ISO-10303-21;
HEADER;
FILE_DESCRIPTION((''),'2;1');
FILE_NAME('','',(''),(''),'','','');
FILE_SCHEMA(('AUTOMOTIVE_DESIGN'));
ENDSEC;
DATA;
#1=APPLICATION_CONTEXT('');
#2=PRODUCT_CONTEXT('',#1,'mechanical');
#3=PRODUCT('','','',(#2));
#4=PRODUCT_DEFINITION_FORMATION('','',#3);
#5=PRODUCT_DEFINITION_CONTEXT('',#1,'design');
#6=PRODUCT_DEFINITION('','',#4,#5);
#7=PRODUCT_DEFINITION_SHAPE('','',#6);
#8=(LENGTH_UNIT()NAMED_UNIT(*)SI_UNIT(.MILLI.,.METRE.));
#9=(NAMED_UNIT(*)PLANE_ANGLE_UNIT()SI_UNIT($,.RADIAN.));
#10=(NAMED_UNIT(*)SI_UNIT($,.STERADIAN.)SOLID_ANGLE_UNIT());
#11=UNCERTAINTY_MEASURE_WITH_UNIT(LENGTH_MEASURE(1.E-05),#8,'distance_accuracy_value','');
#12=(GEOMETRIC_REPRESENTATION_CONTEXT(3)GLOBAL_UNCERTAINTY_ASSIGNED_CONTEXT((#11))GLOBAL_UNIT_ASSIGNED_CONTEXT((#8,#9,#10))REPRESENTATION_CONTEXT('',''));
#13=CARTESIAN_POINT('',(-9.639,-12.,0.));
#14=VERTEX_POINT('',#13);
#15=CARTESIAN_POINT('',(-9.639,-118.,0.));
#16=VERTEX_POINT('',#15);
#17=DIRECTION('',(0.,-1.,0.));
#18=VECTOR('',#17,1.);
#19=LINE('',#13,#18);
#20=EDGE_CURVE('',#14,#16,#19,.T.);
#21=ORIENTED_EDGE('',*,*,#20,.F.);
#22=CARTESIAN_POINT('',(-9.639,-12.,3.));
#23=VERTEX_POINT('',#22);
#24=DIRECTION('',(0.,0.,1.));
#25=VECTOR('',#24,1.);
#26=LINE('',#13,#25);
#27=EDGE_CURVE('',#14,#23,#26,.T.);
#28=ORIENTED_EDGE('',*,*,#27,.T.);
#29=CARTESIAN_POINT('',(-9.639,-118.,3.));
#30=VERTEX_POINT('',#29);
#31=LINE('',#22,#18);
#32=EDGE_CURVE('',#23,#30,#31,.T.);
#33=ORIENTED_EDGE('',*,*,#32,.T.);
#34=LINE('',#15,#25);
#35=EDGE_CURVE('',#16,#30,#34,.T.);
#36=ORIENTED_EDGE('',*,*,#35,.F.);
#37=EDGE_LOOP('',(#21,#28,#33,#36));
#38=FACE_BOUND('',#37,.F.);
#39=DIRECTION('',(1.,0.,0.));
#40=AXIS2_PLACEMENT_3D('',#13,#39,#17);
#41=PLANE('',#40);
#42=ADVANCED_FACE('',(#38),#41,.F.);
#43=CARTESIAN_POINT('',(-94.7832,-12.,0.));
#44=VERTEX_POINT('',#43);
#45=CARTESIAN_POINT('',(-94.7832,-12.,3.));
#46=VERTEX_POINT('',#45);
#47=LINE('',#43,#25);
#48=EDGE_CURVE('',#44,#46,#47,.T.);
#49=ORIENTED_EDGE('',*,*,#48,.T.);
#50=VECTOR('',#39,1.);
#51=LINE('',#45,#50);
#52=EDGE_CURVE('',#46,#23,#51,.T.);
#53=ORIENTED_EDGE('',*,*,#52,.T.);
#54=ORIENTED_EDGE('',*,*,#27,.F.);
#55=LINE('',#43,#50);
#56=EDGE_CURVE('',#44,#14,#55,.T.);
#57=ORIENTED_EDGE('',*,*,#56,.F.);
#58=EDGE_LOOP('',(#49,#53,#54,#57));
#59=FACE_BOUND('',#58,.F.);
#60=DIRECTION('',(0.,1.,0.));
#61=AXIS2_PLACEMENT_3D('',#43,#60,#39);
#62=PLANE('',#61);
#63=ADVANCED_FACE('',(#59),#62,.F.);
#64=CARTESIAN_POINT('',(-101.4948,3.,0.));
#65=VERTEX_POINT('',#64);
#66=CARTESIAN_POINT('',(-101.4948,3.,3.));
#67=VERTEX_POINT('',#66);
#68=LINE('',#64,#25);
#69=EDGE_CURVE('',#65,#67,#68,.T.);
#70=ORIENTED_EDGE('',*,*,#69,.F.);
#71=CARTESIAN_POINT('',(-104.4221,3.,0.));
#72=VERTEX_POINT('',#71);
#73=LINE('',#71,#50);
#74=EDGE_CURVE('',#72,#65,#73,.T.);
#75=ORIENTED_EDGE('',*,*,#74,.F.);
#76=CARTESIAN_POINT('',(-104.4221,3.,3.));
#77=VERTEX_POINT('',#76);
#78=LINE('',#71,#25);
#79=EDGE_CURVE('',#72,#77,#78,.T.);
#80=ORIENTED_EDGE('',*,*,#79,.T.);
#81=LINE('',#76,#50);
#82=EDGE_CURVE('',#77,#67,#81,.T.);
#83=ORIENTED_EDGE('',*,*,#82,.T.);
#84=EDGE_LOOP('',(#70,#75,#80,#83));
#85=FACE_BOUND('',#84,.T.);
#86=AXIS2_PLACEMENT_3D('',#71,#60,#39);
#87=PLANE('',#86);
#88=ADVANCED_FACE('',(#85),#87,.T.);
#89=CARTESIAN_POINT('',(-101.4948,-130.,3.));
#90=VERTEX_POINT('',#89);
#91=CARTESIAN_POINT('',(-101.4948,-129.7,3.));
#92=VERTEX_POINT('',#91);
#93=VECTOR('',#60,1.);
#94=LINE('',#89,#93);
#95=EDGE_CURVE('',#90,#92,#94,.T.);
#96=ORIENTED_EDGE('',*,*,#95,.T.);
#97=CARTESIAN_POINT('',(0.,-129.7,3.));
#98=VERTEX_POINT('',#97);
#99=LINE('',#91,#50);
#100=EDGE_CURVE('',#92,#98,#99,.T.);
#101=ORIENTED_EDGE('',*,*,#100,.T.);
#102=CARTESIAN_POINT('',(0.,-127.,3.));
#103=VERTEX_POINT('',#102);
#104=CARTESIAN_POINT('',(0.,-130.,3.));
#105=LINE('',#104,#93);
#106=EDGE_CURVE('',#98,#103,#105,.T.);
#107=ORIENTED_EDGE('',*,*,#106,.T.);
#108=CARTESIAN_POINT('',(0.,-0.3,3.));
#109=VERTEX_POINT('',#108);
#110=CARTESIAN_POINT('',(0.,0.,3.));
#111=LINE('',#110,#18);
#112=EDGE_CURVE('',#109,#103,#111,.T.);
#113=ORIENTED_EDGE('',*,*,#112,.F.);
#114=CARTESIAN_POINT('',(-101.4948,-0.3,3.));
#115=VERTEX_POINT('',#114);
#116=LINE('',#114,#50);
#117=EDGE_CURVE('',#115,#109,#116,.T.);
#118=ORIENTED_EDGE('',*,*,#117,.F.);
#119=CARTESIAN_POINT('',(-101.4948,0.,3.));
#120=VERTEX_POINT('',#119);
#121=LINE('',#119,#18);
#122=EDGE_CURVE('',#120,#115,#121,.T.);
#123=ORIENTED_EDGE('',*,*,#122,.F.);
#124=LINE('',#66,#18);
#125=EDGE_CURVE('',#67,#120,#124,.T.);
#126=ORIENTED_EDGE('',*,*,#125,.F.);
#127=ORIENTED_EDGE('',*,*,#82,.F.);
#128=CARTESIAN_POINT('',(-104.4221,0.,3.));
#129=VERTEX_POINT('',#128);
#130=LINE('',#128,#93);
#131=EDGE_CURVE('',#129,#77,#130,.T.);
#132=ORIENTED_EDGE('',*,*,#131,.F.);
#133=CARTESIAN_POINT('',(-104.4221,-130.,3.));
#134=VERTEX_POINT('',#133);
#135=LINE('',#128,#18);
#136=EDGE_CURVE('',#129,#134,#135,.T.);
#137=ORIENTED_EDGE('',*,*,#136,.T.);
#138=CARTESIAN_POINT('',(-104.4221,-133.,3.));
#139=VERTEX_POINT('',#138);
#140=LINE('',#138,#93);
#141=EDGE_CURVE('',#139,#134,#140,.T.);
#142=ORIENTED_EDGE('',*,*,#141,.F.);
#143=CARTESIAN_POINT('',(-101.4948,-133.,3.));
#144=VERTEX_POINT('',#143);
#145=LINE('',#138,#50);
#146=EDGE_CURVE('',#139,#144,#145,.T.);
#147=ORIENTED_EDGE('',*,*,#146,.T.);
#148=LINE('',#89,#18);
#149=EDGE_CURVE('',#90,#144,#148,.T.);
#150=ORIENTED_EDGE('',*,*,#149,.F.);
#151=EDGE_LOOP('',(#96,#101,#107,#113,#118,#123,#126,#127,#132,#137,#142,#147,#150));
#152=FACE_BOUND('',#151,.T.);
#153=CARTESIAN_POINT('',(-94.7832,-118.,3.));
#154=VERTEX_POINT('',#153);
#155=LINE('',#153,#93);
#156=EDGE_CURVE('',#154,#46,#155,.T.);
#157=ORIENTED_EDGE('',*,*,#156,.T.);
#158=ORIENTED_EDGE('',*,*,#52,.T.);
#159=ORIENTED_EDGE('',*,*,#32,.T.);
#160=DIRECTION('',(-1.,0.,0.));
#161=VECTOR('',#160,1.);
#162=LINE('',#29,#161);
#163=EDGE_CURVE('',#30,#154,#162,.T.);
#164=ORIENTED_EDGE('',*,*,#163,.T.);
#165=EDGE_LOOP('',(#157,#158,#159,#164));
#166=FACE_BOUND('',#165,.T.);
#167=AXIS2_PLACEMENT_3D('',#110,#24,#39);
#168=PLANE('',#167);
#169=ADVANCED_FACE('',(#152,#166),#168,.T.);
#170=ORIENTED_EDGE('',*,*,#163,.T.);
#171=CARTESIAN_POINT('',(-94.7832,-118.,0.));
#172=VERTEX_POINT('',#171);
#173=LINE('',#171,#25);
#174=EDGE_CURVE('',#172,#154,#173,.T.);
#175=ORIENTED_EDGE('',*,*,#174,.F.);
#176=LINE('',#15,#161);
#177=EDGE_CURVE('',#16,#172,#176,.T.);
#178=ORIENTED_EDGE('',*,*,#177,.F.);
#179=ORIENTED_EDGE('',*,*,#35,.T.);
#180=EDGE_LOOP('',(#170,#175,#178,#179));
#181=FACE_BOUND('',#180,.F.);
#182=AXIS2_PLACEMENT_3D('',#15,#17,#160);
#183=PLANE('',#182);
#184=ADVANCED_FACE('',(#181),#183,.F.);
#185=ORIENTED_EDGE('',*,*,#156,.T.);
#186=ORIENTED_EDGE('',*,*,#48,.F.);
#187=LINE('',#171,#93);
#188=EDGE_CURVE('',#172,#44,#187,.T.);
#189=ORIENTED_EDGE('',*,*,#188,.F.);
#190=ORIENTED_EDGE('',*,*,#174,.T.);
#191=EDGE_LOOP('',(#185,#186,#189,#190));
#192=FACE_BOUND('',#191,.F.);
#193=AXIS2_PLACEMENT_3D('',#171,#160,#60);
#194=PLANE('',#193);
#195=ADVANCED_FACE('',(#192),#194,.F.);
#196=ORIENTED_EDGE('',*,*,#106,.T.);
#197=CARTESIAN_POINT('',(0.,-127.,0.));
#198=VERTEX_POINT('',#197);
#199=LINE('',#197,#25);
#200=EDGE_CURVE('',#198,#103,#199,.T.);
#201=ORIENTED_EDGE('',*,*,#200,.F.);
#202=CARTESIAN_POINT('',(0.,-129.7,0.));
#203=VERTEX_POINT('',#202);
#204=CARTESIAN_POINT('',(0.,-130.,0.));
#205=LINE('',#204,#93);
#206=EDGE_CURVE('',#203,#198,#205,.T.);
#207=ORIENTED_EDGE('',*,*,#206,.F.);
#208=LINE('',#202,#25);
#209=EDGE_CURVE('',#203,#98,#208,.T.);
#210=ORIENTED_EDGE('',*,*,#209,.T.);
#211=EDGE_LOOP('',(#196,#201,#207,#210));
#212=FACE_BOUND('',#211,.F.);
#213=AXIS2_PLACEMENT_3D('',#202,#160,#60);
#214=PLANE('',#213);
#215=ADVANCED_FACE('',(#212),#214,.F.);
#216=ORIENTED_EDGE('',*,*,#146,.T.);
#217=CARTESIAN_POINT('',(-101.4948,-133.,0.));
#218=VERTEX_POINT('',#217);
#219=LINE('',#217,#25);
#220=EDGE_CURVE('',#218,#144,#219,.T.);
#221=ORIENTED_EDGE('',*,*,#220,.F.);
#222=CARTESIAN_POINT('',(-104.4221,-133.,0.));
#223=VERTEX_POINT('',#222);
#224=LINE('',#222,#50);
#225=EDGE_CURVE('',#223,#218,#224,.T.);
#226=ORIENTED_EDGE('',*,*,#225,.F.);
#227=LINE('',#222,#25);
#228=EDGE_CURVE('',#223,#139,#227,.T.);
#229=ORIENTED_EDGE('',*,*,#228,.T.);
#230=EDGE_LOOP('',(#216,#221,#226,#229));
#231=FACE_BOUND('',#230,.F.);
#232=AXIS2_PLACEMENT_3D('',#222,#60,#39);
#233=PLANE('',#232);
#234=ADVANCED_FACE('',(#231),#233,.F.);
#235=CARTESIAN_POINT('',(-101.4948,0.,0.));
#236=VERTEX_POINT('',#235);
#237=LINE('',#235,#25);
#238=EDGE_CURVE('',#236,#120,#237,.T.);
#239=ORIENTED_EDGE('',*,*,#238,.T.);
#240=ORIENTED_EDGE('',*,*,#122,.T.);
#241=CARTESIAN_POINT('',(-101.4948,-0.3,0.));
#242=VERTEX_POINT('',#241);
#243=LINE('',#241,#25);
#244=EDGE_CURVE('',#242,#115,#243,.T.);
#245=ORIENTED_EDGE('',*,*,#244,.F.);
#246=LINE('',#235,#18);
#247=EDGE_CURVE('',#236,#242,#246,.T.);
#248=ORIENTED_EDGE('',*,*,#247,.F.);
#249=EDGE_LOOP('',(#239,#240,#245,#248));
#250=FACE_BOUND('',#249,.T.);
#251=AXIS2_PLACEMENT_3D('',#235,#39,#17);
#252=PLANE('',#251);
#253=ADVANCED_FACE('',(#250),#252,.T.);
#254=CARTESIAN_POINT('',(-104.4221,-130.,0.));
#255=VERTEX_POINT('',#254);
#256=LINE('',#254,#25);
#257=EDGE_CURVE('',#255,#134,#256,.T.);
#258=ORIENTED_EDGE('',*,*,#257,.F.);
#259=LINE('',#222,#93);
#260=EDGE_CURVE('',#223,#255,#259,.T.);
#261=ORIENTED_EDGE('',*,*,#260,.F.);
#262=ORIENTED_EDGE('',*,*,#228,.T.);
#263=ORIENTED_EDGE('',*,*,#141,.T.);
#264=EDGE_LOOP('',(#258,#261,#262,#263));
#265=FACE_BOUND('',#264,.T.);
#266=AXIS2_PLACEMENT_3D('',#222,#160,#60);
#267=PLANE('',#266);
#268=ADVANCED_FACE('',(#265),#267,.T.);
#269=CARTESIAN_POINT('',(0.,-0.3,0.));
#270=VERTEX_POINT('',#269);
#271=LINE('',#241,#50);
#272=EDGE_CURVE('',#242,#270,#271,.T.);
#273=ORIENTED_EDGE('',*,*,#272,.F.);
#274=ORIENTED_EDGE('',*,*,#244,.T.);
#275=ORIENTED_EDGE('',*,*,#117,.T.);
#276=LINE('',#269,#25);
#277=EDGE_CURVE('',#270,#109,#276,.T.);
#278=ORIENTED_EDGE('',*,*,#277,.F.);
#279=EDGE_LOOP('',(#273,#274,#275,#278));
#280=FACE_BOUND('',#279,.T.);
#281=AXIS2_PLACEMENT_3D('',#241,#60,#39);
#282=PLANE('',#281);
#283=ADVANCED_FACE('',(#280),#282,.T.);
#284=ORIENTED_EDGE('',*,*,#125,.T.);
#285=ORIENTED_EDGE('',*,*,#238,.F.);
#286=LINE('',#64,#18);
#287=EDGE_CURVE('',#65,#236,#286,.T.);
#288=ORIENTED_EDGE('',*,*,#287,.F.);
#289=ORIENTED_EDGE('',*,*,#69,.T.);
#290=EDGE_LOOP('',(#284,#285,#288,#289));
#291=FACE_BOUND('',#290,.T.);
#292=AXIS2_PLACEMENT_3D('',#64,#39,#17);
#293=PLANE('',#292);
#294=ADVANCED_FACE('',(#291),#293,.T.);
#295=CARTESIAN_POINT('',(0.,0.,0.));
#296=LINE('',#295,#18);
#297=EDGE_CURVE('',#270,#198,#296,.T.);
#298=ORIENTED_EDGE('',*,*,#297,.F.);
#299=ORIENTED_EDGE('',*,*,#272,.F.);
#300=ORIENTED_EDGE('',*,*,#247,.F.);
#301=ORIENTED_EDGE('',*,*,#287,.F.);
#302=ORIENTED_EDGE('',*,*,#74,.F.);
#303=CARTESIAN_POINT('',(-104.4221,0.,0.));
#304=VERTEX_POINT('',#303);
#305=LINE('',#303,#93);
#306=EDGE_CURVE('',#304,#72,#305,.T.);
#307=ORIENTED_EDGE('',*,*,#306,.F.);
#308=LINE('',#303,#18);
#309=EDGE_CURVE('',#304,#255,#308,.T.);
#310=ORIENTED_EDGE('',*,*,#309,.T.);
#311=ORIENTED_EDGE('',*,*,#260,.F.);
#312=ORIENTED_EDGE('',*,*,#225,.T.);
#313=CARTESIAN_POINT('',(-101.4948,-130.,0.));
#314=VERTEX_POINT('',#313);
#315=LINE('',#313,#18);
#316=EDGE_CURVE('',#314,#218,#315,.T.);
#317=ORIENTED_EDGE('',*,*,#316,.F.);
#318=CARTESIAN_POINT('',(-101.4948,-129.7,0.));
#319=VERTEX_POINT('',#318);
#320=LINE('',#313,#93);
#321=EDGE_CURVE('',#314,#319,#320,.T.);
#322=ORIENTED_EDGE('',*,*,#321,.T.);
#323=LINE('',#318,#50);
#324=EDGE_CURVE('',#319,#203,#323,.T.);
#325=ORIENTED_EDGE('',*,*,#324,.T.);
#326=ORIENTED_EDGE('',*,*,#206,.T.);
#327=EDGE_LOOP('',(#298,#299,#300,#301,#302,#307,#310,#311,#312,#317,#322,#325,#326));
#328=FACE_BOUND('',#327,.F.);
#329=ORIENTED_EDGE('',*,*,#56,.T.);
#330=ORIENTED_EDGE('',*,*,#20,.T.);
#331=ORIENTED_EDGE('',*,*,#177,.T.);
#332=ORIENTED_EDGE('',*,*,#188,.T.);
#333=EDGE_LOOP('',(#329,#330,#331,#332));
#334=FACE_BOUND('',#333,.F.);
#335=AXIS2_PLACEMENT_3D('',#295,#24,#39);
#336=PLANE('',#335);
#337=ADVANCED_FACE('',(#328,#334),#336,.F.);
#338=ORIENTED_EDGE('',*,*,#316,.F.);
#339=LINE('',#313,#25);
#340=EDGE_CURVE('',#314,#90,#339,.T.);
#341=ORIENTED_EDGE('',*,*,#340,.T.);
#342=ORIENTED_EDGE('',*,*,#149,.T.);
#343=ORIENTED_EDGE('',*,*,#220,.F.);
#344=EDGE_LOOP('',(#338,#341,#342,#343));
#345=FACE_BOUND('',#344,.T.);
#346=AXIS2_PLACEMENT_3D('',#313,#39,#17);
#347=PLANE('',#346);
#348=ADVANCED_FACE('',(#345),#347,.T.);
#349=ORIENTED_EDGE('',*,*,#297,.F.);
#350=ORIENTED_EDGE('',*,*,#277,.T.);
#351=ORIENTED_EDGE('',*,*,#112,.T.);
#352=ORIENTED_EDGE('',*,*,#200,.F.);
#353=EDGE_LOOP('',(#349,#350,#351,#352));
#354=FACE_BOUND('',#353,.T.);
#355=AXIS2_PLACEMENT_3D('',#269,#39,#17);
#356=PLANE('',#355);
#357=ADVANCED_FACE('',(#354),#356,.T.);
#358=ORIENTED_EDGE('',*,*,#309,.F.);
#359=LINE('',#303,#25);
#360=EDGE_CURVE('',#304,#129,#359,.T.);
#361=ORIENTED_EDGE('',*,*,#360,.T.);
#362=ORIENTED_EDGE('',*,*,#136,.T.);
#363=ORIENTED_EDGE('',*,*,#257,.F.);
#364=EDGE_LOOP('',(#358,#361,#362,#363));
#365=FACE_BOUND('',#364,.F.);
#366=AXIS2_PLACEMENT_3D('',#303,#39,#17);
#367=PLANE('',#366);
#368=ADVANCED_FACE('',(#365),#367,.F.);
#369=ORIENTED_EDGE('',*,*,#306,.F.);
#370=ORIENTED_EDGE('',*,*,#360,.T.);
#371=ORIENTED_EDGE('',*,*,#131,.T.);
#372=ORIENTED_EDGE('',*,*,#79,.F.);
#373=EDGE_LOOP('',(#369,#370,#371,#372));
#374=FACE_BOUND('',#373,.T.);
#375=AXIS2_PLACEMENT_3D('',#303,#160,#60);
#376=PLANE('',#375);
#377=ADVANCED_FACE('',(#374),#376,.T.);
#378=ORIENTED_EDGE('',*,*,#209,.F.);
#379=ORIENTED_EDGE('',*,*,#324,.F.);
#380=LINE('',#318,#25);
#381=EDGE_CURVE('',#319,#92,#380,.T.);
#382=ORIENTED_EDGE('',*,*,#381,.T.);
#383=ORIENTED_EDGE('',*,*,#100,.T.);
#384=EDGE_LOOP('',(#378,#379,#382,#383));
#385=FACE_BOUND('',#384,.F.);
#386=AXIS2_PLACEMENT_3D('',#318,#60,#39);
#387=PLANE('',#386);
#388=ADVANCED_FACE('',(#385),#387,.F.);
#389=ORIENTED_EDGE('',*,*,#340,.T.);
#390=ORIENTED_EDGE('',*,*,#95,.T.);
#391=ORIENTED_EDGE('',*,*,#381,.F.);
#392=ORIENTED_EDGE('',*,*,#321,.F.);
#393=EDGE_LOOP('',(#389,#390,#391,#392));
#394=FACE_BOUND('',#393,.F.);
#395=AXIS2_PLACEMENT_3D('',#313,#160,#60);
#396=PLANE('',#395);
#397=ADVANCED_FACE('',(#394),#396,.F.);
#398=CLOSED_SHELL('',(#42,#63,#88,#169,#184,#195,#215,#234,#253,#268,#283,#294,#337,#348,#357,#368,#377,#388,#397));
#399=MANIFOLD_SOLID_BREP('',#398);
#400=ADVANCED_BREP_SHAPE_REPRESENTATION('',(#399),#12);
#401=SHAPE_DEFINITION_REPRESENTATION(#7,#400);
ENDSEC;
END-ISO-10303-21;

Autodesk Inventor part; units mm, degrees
ref_plane "YZ Plane" through (0, 0, 0) normal (1, 0, 0) x (0, 1, 0)
ref_plane "XZ Plane" through (0, 0, 0) normal (0, 1, 0) x (-1, 0, 0)
ref_plane "XY Plane" through (0, 0, 0) normal (0, 0, 1) x (1, 0, 0)
sketch "Boceto1" plane through (0, 0, 0) normal (0, 0, 1) x (1, 0, 0)
  line L0 (0, 0) -> (0, -127) projected
  line L1 (0, -130) -> (0, -127) projected
  line L2 (-101.4948, -130) -> (-101.4948, -133)
  line L3 (-101.4948, 3) -> (-101.4948, 0)
  line L4 (-104.4221, 0) -> (-104.4221, -130)
  line L5 (-104.4221, -133) -> (-101.4948, -133)
  line L6 (-104.4221, 3) -> (-101.4948, 3)
  line L7 (-9.639, -118) -> (-94.7832, -118)
  line L8 (-94.7832, -118) -> (-94.7832, -12)
  line L9 (-94.7832, -12) -> (-9.639, -12)
  line L10 (-9.639, -12) -> (-9.639, -118)
  line L11 (-9.639, -118) -> (-94.7832, -12) construction
  line L12 (-94.7832, -118) -> (-9.639, -12) construction
  line L13 (-104.4221, -133) -> (-104.4221, -130)
  line L14 (-104.4221, 0) -> (-104.4221, 3)
  line L15 (-101.4948, -130) -> (-101.4948, -129.7)
  line L16 (-101.4948, -129.7) -> (0, -129.7)
  line L17 (-101.4948, 0) -> (-101.4948, -0.3)
  line L18 (-101.4948, -0.3) -> (0, -0.3)
  point P0 (-2.2595, 0)
  dimension "d3" = 9.639
  dimension "d4" = 0.3
  dimension "d5" = 0.3
extrude "Extrusión1" add sketch "Boceto1" along normal blind 3
